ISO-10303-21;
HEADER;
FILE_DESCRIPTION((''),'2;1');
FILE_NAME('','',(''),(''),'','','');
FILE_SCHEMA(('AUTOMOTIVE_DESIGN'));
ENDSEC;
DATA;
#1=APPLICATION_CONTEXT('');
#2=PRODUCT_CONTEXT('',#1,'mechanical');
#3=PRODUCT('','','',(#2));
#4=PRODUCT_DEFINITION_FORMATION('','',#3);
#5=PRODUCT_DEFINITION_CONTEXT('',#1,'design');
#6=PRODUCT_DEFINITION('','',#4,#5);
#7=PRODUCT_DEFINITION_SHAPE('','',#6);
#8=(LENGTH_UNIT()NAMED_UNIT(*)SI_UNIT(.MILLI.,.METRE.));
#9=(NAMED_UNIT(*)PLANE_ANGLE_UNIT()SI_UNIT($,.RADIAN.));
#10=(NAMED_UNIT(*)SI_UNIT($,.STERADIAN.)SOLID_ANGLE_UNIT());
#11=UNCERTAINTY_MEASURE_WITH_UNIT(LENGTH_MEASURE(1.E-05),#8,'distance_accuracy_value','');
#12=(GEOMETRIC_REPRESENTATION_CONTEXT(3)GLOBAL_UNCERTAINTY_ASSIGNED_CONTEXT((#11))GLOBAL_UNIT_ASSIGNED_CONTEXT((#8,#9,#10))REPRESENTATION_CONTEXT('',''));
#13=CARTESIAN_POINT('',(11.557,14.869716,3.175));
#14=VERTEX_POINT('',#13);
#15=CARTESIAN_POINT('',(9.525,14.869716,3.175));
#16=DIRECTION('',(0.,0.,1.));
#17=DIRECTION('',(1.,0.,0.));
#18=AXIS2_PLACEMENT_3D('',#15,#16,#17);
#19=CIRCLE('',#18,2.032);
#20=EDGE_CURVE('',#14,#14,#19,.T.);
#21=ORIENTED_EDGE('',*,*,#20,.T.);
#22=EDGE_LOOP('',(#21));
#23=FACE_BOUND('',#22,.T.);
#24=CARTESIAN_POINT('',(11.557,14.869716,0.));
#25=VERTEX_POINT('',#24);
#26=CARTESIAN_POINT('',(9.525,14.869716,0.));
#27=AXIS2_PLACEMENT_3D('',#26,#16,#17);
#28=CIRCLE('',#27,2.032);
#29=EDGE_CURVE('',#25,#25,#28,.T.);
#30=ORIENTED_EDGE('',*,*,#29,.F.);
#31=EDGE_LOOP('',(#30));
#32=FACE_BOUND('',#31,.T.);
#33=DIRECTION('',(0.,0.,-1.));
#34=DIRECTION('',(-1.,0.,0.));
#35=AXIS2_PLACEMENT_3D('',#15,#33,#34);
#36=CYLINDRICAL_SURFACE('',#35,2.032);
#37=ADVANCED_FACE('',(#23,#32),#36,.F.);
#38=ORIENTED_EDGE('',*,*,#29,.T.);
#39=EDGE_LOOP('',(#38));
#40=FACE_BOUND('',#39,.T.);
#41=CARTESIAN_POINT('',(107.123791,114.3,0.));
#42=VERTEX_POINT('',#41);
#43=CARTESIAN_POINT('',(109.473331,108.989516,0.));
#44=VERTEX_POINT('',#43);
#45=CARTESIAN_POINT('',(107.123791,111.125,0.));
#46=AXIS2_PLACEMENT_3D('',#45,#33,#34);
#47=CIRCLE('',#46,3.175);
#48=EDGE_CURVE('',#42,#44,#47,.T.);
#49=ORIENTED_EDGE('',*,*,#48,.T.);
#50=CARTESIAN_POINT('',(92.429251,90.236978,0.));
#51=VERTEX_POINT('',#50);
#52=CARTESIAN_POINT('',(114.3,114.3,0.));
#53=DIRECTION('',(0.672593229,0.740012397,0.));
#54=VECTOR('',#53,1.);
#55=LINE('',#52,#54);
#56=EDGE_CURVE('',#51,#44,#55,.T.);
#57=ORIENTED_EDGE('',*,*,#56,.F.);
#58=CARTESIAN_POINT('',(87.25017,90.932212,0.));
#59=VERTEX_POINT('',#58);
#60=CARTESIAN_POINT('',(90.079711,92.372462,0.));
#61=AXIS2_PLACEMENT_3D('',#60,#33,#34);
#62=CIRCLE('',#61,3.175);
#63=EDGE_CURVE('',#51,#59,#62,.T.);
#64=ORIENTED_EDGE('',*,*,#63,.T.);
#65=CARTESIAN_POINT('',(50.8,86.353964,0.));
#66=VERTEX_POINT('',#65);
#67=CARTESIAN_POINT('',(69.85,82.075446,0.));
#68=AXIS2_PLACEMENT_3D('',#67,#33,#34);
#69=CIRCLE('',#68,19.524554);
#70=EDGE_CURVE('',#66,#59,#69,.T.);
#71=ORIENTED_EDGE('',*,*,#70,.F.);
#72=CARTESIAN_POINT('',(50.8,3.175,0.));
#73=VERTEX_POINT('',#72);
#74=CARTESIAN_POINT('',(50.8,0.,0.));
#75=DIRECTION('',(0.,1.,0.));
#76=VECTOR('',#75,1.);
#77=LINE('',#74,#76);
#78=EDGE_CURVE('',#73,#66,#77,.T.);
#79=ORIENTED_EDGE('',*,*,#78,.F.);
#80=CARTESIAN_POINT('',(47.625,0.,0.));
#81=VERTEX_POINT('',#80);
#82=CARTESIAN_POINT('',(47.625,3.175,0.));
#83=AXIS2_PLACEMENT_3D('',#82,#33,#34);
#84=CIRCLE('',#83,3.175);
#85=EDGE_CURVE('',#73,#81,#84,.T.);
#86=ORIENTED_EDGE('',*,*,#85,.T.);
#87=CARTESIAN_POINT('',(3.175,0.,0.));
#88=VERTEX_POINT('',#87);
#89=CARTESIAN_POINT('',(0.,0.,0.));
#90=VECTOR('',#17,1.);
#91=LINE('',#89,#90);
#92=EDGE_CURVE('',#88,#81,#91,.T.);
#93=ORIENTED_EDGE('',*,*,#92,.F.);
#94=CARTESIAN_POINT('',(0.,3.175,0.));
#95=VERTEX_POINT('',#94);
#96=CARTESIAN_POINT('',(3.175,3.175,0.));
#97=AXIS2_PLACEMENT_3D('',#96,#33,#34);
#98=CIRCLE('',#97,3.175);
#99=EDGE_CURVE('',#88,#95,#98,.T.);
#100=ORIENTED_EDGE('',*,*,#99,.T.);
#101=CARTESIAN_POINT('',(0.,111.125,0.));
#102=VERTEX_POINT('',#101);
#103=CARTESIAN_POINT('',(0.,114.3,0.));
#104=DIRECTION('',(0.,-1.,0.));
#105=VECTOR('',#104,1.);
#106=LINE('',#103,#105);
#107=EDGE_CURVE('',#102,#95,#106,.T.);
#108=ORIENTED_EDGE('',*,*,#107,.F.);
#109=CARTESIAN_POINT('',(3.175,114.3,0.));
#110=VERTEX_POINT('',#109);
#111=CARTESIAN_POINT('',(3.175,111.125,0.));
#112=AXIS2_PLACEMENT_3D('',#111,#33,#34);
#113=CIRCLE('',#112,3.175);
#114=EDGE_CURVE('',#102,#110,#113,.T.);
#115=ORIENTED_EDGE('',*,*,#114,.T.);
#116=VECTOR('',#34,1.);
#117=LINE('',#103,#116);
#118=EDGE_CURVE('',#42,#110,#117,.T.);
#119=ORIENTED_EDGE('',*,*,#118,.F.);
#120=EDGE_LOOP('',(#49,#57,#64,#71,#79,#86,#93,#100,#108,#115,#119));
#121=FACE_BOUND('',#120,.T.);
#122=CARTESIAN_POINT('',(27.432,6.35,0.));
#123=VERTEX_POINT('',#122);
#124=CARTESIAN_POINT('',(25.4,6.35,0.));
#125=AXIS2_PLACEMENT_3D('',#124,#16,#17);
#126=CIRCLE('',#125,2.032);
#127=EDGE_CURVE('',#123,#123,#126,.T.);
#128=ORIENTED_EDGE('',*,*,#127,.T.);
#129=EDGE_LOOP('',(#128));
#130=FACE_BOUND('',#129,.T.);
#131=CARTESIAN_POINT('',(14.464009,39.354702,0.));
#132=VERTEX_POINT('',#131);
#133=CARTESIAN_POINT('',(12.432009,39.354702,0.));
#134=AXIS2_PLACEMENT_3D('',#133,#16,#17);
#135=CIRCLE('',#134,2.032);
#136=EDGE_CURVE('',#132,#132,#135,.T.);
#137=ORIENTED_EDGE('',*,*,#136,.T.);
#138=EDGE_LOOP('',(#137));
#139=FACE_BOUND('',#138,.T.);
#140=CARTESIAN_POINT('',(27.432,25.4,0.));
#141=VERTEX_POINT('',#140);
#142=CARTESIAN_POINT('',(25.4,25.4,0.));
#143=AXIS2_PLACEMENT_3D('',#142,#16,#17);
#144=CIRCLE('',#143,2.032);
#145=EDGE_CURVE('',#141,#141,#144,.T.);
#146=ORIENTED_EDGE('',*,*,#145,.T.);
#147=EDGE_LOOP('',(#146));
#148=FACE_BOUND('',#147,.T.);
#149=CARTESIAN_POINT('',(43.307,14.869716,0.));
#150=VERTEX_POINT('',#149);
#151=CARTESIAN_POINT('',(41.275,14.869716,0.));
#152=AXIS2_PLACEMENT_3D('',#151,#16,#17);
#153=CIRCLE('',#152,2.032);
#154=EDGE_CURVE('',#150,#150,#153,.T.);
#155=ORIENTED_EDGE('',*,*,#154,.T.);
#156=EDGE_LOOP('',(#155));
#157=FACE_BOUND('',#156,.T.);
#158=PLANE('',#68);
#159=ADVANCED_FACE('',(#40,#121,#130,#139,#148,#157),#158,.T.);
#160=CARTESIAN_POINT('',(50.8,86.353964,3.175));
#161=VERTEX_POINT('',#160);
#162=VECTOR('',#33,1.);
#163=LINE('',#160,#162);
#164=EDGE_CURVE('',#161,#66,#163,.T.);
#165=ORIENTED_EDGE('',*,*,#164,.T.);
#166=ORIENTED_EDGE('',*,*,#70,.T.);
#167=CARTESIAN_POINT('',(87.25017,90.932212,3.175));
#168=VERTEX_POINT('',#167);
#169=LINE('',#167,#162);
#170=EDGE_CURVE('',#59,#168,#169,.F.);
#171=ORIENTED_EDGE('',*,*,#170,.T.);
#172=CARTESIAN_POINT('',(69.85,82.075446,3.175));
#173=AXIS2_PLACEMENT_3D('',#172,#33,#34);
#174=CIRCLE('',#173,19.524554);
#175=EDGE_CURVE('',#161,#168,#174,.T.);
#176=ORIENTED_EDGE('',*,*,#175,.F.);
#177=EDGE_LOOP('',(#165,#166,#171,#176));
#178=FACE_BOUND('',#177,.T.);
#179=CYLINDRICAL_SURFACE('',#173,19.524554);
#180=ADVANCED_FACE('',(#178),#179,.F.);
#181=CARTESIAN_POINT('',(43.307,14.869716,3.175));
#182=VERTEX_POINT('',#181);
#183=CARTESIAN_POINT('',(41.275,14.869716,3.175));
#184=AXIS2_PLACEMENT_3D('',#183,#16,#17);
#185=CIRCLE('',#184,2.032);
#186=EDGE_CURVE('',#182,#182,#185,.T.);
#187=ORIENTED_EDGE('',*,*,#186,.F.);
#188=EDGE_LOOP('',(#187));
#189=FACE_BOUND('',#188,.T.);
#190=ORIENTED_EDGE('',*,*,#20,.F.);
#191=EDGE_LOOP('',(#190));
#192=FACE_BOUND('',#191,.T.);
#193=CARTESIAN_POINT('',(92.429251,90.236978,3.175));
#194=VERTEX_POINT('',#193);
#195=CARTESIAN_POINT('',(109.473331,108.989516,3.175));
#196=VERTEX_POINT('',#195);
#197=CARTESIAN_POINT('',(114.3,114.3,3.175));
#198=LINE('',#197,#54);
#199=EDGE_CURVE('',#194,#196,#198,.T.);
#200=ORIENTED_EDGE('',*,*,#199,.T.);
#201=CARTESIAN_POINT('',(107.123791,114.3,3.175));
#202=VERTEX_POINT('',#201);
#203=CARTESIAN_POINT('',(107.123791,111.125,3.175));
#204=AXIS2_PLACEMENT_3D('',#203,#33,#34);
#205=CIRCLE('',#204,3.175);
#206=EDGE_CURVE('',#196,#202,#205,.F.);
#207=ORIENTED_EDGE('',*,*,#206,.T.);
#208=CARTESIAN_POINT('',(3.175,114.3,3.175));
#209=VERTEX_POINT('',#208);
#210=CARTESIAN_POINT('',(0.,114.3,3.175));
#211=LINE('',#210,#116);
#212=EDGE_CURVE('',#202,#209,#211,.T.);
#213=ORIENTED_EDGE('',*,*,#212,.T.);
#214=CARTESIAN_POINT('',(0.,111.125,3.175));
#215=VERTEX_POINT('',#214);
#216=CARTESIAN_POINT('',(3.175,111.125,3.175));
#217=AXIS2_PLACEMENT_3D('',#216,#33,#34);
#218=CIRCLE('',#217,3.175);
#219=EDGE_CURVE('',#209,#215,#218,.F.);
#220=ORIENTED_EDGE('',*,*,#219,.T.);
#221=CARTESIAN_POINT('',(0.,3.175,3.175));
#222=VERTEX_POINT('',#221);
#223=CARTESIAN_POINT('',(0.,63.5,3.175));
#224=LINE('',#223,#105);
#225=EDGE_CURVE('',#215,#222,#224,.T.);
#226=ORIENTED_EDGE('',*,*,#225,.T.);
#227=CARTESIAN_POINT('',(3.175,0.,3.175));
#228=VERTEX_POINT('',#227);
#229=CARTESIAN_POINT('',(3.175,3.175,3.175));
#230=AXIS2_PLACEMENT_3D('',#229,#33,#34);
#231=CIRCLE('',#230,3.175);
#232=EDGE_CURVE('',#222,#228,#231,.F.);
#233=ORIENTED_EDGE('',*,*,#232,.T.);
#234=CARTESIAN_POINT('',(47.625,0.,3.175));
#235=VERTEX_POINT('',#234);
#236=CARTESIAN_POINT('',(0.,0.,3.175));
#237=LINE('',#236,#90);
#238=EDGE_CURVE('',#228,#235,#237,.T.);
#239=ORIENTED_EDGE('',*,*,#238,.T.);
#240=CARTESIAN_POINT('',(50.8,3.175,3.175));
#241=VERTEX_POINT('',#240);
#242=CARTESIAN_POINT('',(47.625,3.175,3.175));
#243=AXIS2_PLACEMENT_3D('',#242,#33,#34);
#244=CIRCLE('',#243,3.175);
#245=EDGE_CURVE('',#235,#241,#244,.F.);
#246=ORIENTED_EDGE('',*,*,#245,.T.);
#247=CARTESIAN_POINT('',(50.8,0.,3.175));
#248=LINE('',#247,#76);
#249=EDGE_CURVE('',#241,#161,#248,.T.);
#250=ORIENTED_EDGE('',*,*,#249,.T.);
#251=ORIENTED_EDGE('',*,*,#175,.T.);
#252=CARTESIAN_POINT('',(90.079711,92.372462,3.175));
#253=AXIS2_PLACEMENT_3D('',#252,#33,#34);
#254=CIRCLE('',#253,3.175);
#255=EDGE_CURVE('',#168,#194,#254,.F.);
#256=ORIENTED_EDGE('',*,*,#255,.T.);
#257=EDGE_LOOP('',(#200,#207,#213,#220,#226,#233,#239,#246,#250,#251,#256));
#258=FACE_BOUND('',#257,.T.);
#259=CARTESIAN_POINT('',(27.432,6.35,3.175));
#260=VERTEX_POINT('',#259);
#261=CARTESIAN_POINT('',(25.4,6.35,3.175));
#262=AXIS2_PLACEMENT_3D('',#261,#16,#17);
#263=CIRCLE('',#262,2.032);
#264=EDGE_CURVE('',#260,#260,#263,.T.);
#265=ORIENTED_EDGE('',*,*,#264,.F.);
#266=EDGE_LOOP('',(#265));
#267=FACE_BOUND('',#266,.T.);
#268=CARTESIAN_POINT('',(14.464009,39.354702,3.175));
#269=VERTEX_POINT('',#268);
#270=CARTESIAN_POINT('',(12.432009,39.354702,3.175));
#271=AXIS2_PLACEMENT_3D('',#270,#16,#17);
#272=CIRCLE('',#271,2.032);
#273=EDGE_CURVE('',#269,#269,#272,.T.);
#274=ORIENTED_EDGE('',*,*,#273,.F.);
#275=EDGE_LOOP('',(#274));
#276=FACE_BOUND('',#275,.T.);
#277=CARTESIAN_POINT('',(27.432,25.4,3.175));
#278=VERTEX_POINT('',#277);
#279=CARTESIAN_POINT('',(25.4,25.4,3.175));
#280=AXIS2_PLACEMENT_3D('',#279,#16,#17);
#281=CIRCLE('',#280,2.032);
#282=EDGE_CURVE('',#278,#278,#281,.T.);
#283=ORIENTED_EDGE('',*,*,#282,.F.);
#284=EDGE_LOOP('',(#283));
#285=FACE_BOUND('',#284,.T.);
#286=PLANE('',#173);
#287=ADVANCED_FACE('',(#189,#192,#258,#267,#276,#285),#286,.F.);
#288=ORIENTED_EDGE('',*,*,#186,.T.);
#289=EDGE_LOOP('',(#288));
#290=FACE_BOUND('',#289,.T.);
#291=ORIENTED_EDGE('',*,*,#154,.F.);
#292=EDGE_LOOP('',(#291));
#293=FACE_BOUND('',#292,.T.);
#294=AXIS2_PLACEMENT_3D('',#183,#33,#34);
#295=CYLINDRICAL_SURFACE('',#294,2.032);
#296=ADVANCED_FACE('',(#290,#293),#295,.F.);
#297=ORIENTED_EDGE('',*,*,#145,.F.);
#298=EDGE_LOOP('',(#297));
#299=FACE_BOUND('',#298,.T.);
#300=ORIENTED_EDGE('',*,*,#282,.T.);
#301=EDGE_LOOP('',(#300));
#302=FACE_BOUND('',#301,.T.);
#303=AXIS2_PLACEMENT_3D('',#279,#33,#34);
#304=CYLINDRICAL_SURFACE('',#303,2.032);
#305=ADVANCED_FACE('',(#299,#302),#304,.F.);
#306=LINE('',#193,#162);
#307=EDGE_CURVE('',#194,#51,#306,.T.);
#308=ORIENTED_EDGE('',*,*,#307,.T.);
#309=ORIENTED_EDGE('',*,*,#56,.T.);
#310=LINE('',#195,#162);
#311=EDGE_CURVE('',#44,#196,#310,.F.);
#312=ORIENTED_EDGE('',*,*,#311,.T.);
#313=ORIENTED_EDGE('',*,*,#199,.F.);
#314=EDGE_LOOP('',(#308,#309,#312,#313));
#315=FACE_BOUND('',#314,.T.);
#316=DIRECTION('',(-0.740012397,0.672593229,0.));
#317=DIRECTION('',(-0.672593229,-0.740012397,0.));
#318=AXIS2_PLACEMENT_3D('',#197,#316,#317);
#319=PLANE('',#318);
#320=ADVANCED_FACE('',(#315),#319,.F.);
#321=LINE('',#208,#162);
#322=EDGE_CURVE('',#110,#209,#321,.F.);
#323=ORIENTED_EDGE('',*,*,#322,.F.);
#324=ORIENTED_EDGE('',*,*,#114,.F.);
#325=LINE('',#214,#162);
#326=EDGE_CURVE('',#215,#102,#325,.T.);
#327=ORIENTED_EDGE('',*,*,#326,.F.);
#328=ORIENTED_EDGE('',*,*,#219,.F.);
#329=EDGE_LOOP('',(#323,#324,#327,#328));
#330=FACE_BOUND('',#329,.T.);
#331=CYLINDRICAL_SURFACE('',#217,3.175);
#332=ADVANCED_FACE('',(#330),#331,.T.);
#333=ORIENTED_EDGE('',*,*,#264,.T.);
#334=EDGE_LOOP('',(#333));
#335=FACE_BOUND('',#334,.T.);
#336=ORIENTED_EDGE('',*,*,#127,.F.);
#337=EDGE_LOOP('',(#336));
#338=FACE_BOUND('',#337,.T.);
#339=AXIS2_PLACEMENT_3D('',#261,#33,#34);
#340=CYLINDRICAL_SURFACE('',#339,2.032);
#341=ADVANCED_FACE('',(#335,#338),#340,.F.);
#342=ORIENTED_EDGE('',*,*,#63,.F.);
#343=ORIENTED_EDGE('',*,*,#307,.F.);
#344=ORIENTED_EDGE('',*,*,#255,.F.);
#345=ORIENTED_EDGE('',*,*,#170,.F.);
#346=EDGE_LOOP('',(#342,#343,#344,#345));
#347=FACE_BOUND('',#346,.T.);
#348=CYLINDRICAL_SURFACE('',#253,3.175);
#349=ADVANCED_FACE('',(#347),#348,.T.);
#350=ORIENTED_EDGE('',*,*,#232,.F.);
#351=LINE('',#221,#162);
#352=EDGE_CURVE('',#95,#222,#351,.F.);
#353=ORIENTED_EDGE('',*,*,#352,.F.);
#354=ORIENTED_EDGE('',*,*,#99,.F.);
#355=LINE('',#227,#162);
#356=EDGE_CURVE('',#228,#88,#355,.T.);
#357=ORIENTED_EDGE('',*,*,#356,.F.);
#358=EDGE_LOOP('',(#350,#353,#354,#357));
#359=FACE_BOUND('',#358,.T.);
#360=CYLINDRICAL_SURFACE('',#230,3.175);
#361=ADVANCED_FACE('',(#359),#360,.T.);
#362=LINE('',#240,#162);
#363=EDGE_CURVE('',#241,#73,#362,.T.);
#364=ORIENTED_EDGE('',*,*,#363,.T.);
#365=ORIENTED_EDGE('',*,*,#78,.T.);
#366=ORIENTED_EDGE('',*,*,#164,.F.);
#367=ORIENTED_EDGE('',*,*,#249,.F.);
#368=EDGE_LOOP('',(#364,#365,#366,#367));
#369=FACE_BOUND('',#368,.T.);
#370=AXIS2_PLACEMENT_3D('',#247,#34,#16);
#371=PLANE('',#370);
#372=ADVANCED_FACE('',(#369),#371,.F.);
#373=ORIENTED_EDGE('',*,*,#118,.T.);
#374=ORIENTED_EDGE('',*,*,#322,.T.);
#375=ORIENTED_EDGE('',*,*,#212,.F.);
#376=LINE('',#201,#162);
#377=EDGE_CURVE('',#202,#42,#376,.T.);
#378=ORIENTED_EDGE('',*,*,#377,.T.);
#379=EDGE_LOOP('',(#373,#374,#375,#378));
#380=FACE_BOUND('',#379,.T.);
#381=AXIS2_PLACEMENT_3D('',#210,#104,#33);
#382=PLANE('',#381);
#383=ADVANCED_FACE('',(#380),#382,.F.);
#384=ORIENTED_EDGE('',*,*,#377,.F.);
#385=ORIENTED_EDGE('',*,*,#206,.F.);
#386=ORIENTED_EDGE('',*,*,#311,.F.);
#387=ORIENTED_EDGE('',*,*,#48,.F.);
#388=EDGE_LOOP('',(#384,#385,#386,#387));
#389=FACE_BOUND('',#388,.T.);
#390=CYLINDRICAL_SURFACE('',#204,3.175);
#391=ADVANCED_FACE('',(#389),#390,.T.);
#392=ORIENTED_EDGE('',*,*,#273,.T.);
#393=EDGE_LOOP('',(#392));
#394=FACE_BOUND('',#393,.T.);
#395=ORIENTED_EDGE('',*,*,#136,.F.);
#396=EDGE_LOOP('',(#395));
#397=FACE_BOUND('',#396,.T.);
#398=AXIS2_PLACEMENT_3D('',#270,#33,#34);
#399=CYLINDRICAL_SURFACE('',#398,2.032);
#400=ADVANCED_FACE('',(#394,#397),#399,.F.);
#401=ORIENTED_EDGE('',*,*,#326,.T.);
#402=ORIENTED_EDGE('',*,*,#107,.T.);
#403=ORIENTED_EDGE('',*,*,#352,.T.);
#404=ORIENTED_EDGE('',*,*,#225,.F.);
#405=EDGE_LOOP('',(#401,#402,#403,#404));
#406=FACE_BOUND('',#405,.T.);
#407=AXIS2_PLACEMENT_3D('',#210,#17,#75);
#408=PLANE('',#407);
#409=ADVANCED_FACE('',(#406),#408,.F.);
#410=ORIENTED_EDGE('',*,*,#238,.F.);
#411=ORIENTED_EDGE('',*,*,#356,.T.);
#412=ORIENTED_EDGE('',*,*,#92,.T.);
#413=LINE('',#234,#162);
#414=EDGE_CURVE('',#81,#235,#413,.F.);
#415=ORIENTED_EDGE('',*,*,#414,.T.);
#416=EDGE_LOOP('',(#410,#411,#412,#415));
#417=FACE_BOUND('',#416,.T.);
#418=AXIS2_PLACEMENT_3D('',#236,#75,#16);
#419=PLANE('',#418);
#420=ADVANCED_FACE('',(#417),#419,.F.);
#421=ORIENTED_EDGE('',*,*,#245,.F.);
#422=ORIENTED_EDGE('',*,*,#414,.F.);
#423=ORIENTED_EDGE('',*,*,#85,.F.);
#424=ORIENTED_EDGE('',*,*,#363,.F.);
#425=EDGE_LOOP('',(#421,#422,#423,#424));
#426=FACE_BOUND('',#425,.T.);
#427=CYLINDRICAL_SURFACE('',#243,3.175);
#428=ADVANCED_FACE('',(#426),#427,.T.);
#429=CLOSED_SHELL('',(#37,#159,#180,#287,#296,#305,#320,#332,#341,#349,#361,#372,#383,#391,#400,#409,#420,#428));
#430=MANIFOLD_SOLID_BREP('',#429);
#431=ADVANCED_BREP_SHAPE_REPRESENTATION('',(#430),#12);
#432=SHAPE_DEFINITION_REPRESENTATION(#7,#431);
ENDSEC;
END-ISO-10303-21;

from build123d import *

# Parameters (mm, degrees)
SKETCH1_R           = 2.032
BOSS_EXTRUDE1_DEPTH = 3.175
FILLET1_R           = 3.175


with BuildPart() as part:
    # Sketch1 → Boss-Extrude1 (new body)
    with BuildSketch(Plane.XY):
        with BuildLine():
            Line((0, 114.3), (114.3, 114.3))
            Line((114.3, 114.3), (88.9, 86.353963576))
            ThreePointArc((88.9, 86.353963576), (69.85, 101.6), (50.8, 86.353963576))
            Line((50.8, 86.353963576), (50.8, 0))
            Line((50.8, 0), (0, 0))
            Line((0, 0), (0, 63.5))
            Line((0, 63.5), (0, 114.3))
        make_face()
        with Locations((9.525, 14.869716291)):
            Circle(SKETCH1_R, mode=Mode.SUBTRACT)
        with Locations((41.275, 14.869716291)):
            Circle(SKETCH1_R, mode=Mode.SUBTRACT)
        with Locations((25.4, 6.35)):
            Circle(SKETCH1_R, mode=Mode.SUBTRACT)
        with Locations((25.4, 25.4)):
            Circle(SKETCH1_R, mode=Mode.SUBTRACT)
        with Locations((12.432008635, 39.354701715)):
            Circle(SKETCH1_R, mode=Mode.SUBTRACT)
    extrude(amount=BOSS_EXTRUDE1_DEPTH)

    # Fillet1
    fillet1_edges = [part.edges().sort_by_distance(p)[0] for p in [
        (0, 114.3, 1.5875),
        (114.3, 114.3, 1.5875),
        (88.9, 86.353963576, 1.5875),
        (50.8, 0, 1.5875),
        (0, 0, 1.5875),
    ]]
    fillet(fillet1_edges, radius=FILLET1_R)


solid = part.part
